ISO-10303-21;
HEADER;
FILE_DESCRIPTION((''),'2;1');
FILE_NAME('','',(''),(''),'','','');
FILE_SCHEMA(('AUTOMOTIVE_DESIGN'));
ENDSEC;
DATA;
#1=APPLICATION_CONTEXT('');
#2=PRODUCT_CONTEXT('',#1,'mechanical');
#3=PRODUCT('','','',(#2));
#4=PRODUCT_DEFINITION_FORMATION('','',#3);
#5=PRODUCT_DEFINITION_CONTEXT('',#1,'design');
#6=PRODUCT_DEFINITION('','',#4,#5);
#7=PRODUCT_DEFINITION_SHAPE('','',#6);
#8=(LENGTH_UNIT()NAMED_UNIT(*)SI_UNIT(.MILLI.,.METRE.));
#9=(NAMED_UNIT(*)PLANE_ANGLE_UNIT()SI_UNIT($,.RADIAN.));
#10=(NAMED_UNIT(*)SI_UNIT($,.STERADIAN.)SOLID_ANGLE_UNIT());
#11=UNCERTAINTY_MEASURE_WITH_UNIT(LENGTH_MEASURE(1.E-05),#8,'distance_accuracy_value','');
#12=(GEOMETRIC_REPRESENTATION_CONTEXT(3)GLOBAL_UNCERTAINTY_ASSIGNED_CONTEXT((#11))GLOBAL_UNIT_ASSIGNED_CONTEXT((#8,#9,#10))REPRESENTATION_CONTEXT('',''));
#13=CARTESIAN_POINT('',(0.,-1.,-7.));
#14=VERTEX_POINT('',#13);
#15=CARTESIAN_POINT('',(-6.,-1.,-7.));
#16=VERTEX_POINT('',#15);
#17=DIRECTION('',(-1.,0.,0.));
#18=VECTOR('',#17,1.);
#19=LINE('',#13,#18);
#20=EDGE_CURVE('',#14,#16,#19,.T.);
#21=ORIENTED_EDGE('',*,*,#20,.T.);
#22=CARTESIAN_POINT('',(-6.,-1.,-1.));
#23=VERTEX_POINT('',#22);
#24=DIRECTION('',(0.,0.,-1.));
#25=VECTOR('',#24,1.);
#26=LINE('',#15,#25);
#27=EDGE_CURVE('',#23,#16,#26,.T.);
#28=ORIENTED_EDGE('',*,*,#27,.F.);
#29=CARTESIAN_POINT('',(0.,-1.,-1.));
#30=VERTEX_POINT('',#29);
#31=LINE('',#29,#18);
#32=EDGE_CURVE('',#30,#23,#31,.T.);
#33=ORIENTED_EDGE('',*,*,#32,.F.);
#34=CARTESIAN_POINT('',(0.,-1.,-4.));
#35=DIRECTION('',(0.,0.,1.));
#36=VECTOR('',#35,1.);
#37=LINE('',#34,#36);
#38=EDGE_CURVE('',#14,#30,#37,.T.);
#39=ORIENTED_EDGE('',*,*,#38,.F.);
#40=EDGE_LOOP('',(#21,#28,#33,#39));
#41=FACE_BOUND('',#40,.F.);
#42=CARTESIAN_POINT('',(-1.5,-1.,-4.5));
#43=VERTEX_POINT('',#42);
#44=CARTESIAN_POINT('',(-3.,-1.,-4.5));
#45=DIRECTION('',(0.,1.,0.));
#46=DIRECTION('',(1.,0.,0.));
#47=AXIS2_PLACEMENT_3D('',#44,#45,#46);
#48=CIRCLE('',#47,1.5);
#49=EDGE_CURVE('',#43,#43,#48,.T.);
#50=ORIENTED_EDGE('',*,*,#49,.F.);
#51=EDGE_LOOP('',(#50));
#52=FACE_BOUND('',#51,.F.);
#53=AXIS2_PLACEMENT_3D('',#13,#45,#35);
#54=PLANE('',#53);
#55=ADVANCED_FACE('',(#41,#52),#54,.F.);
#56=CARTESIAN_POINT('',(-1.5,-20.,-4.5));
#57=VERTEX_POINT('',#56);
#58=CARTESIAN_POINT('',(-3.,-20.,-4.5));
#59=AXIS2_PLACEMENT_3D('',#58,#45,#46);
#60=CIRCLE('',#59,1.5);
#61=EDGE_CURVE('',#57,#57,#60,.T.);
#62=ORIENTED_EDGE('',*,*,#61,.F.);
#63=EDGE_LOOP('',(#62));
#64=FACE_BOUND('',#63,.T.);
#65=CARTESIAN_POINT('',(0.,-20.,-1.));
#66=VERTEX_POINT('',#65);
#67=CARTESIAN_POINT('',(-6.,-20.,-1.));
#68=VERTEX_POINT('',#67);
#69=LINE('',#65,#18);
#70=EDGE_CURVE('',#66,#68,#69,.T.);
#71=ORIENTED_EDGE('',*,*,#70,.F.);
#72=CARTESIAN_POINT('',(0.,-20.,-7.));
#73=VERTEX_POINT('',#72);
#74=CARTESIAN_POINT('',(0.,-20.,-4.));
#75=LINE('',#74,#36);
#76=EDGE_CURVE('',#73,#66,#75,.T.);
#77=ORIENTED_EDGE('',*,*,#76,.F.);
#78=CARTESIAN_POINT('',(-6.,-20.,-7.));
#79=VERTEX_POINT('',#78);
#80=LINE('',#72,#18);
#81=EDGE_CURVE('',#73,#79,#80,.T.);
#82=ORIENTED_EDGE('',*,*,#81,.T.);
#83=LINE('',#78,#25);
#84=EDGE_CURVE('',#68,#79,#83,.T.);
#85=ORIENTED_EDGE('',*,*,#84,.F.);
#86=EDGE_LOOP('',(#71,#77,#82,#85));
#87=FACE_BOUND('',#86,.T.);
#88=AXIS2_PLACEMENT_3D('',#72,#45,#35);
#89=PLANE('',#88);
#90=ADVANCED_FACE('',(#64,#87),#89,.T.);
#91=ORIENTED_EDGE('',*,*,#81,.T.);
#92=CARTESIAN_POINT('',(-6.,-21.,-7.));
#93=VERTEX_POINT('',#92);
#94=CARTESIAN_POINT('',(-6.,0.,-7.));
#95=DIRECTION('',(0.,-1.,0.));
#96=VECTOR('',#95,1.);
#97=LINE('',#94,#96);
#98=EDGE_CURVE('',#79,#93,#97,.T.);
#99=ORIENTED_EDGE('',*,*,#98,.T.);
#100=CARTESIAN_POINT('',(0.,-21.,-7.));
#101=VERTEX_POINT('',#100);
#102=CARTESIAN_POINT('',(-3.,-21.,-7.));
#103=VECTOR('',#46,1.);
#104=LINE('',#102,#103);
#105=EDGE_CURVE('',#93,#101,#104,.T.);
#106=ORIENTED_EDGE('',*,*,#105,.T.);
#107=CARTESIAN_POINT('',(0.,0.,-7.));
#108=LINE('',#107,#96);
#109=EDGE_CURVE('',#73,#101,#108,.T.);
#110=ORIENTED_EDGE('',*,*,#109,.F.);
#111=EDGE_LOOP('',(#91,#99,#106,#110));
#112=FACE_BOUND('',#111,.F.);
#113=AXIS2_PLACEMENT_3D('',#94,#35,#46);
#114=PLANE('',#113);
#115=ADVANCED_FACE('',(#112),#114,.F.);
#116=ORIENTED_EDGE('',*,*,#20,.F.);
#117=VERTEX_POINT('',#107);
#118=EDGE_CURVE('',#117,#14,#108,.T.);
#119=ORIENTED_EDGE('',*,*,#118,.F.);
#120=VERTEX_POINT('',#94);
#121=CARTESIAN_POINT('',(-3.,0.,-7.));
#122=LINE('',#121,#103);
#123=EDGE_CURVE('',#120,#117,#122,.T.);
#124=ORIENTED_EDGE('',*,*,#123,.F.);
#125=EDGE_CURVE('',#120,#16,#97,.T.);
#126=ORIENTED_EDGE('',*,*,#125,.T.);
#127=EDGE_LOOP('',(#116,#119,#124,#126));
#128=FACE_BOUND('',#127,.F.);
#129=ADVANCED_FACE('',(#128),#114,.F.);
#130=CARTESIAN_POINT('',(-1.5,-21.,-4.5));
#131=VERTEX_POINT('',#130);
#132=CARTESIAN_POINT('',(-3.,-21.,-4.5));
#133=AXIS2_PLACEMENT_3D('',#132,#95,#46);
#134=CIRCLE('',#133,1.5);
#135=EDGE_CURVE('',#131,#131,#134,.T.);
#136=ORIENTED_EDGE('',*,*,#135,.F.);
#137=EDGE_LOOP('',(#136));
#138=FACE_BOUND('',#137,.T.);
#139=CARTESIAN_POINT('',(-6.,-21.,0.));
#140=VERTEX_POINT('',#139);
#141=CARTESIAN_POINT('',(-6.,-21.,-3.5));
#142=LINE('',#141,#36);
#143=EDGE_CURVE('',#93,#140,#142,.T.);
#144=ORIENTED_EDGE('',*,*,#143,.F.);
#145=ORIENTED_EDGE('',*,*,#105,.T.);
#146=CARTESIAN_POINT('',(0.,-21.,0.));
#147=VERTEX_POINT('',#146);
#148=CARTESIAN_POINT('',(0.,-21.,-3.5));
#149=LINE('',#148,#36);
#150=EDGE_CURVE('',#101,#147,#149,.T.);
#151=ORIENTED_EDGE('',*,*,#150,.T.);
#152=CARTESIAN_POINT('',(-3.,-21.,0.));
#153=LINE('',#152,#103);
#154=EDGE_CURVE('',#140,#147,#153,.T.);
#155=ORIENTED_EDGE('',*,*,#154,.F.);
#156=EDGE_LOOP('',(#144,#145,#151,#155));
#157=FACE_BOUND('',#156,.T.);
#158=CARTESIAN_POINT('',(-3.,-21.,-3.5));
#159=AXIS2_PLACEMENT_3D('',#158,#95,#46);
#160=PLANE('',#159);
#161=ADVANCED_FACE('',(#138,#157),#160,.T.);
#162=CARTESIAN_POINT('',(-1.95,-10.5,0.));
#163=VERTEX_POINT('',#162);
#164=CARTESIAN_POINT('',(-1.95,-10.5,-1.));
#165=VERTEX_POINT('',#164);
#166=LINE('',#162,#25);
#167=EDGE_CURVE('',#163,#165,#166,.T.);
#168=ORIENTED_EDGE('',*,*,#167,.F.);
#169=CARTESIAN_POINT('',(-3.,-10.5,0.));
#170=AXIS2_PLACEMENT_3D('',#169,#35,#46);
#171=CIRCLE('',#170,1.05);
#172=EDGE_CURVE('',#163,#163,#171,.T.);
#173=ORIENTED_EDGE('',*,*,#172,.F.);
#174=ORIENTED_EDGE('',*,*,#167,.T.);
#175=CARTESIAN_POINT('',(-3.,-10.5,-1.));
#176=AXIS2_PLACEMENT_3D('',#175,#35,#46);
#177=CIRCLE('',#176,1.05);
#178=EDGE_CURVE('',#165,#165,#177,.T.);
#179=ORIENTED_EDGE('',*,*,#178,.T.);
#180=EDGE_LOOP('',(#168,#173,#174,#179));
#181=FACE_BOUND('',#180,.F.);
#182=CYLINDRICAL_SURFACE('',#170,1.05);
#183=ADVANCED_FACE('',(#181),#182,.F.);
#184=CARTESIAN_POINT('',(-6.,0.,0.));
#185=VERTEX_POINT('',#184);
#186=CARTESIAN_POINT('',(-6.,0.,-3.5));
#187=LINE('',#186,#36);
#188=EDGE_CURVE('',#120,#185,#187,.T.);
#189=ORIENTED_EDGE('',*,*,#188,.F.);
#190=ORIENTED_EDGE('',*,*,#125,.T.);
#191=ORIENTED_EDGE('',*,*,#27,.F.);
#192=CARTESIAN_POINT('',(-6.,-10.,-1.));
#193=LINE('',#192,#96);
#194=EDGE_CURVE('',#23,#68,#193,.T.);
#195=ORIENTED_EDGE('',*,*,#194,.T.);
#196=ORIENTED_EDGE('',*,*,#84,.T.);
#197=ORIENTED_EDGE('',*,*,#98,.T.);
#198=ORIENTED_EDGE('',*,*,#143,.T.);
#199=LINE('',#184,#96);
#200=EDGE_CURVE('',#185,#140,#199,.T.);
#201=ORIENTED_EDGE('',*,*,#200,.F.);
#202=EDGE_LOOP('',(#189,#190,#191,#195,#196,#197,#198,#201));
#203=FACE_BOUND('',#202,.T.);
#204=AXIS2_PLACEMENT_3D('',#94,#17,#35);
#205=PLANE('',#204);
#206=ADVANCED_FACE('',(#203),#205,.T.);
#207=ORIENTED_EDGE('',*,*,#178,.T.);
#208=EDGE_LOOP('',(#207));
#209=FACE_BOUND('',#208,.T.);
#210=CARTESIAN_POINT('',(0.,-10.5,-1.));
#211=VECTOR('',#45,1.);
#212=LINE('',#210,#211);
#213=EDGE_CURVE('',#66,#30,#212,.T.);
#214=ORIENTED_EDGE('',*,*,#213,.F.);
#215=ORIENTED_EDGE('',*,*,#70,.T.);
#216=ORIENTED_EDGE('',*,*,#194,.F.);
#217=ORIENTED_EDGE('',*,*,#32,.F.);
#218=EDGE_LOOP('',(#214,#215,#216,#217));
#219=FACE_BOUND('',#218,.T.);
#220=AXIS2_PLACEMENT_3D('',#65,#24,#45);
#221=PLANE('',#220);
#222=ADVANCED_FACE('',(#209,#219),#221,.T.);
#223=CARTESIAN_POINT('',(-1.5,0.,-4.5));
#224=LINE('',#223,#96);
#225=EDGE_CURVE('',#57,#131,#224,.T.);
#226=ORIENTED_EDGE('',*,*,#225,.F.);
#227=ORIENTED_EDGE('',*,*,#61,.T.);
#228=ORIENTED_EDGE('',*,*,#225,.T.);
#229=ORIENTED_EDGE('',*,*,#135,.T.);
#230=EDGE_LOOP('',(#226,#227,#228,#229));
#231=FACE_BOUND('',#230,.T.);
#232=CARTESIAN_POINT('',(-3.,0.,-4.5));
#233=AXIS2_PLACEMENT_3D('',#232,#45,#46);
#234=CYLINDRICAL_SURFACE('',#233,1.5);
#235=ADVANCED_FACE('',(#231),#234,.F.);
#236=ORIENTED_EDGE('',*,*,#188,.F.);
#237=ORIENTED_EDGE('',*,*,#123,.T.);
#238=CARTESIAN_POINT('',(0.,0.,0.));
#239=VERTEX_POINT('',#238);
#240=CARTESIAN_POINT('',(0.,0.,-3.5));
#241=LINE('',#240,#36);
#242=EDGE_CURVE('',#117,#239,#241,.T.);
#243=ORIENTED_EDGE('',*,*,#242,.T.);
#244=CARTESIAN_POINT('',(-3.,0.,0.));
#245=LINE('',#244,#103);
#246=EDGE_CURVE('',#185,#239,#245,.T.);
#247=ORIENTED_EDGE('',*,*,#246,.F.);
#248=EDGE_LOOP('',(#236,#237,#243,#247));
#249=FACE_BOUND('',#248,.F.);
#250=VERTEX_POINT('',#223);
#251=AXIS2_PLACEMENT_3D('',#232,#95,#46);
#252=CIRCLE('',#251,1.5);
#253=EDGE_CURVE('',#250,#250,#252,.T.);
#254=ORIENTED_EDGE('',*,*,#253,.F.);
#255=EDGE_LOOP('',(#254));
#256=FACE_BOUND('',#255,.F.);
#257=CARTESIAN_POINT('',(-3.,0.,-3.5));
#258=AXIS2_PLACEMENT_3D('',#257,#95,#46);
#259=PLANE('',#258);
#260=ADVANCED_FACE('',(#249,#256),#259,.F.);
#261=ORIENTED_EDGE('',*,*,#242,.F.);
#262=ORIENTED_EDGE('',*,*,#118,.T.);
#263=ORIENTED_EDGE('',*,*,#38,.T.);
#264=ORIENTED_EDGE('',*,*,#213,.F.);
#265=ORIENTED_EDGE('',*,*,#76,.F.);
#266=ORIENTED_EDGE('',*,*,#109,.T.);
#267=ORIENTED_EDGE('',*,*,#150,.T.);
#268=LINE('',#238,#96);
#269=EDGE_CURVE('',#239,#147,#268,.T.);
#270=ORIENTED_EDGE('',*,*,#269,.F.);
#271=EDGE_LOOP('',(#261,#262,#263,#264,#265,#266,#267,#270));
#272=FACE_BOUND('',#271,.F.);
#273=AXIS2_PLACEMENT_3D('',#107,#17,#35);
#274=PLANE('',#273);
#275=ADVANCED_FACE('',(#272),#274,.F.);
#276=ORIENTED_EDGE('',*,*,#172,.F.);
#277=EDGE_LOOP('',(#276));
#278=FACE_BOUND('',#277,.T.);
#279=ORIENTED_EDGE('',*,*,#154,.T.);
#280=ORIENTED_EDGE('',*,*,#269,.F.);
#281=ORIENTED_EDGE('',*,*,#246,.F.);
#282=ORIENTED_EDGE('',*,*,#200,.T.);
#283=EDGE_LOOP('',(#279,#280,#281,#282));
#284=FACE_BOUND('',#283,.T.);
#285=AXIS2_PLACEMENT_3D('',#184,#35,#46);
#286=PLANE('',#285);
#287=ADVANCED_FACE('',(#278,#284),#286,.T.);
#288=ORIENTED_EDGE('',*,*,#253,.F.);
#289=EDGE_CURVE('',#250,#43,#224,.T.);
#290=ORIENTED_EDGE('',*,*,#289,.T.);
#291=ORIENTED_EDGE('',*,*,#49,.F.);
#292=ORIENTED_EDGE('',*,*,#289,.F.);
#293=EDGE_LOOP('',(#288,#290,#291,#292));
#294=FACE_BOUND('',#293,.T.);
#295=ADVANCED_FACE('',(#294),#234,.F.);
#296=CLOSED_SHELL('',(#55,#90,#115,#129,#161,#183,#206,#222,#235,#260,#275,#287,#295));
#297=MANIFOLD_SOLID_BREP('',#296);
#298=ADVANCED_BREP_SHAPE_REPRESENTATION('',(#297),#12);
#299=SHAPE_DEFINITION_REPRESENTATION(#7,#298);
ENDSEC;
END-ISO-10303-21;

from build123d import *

# Parameters (mm, degrees)
F0_W     = 6
F0_H     = 7
F0_R     = 1.5
F1_DEPTH = 21
F2_W     = 19
F2_H     = 6
F3_DEPTH = 10.4
F4_R     = 1.05
F5_DEPTH = 25


with BuildPart() as f1:
    # F0 (on Front) → F1 (new body)
    with BuildSketch(Plane.XZ):
        with Locations((-3, -3.5)):
            Rectangle(F0_W, F0_H)
        with Locations((-3, -4.5)):
            Circle(F0_R, mode=Mode.SUBTRACT)
    extrude(amount=F1_DEPTH)

    # F2 (on face) → F3 (cut)
    with BuildSketch(Plane.YZ):
        with Locations((-10.5, -4)):
            Rectangle(F2_W, F2_H)
    extrude(amount=-F3_DEPTH, mode=Mode.SUBTRACT)

    # F4 (on face) → F5 (cut)
    with BuildSketch(Plane.XY):
        with Locations((-3, -10.5)):
            Circle(F4_R)
    extrude(amount=-F5_DEPTH, mode=Mode.SUBTRACT)


solid = f1.part
